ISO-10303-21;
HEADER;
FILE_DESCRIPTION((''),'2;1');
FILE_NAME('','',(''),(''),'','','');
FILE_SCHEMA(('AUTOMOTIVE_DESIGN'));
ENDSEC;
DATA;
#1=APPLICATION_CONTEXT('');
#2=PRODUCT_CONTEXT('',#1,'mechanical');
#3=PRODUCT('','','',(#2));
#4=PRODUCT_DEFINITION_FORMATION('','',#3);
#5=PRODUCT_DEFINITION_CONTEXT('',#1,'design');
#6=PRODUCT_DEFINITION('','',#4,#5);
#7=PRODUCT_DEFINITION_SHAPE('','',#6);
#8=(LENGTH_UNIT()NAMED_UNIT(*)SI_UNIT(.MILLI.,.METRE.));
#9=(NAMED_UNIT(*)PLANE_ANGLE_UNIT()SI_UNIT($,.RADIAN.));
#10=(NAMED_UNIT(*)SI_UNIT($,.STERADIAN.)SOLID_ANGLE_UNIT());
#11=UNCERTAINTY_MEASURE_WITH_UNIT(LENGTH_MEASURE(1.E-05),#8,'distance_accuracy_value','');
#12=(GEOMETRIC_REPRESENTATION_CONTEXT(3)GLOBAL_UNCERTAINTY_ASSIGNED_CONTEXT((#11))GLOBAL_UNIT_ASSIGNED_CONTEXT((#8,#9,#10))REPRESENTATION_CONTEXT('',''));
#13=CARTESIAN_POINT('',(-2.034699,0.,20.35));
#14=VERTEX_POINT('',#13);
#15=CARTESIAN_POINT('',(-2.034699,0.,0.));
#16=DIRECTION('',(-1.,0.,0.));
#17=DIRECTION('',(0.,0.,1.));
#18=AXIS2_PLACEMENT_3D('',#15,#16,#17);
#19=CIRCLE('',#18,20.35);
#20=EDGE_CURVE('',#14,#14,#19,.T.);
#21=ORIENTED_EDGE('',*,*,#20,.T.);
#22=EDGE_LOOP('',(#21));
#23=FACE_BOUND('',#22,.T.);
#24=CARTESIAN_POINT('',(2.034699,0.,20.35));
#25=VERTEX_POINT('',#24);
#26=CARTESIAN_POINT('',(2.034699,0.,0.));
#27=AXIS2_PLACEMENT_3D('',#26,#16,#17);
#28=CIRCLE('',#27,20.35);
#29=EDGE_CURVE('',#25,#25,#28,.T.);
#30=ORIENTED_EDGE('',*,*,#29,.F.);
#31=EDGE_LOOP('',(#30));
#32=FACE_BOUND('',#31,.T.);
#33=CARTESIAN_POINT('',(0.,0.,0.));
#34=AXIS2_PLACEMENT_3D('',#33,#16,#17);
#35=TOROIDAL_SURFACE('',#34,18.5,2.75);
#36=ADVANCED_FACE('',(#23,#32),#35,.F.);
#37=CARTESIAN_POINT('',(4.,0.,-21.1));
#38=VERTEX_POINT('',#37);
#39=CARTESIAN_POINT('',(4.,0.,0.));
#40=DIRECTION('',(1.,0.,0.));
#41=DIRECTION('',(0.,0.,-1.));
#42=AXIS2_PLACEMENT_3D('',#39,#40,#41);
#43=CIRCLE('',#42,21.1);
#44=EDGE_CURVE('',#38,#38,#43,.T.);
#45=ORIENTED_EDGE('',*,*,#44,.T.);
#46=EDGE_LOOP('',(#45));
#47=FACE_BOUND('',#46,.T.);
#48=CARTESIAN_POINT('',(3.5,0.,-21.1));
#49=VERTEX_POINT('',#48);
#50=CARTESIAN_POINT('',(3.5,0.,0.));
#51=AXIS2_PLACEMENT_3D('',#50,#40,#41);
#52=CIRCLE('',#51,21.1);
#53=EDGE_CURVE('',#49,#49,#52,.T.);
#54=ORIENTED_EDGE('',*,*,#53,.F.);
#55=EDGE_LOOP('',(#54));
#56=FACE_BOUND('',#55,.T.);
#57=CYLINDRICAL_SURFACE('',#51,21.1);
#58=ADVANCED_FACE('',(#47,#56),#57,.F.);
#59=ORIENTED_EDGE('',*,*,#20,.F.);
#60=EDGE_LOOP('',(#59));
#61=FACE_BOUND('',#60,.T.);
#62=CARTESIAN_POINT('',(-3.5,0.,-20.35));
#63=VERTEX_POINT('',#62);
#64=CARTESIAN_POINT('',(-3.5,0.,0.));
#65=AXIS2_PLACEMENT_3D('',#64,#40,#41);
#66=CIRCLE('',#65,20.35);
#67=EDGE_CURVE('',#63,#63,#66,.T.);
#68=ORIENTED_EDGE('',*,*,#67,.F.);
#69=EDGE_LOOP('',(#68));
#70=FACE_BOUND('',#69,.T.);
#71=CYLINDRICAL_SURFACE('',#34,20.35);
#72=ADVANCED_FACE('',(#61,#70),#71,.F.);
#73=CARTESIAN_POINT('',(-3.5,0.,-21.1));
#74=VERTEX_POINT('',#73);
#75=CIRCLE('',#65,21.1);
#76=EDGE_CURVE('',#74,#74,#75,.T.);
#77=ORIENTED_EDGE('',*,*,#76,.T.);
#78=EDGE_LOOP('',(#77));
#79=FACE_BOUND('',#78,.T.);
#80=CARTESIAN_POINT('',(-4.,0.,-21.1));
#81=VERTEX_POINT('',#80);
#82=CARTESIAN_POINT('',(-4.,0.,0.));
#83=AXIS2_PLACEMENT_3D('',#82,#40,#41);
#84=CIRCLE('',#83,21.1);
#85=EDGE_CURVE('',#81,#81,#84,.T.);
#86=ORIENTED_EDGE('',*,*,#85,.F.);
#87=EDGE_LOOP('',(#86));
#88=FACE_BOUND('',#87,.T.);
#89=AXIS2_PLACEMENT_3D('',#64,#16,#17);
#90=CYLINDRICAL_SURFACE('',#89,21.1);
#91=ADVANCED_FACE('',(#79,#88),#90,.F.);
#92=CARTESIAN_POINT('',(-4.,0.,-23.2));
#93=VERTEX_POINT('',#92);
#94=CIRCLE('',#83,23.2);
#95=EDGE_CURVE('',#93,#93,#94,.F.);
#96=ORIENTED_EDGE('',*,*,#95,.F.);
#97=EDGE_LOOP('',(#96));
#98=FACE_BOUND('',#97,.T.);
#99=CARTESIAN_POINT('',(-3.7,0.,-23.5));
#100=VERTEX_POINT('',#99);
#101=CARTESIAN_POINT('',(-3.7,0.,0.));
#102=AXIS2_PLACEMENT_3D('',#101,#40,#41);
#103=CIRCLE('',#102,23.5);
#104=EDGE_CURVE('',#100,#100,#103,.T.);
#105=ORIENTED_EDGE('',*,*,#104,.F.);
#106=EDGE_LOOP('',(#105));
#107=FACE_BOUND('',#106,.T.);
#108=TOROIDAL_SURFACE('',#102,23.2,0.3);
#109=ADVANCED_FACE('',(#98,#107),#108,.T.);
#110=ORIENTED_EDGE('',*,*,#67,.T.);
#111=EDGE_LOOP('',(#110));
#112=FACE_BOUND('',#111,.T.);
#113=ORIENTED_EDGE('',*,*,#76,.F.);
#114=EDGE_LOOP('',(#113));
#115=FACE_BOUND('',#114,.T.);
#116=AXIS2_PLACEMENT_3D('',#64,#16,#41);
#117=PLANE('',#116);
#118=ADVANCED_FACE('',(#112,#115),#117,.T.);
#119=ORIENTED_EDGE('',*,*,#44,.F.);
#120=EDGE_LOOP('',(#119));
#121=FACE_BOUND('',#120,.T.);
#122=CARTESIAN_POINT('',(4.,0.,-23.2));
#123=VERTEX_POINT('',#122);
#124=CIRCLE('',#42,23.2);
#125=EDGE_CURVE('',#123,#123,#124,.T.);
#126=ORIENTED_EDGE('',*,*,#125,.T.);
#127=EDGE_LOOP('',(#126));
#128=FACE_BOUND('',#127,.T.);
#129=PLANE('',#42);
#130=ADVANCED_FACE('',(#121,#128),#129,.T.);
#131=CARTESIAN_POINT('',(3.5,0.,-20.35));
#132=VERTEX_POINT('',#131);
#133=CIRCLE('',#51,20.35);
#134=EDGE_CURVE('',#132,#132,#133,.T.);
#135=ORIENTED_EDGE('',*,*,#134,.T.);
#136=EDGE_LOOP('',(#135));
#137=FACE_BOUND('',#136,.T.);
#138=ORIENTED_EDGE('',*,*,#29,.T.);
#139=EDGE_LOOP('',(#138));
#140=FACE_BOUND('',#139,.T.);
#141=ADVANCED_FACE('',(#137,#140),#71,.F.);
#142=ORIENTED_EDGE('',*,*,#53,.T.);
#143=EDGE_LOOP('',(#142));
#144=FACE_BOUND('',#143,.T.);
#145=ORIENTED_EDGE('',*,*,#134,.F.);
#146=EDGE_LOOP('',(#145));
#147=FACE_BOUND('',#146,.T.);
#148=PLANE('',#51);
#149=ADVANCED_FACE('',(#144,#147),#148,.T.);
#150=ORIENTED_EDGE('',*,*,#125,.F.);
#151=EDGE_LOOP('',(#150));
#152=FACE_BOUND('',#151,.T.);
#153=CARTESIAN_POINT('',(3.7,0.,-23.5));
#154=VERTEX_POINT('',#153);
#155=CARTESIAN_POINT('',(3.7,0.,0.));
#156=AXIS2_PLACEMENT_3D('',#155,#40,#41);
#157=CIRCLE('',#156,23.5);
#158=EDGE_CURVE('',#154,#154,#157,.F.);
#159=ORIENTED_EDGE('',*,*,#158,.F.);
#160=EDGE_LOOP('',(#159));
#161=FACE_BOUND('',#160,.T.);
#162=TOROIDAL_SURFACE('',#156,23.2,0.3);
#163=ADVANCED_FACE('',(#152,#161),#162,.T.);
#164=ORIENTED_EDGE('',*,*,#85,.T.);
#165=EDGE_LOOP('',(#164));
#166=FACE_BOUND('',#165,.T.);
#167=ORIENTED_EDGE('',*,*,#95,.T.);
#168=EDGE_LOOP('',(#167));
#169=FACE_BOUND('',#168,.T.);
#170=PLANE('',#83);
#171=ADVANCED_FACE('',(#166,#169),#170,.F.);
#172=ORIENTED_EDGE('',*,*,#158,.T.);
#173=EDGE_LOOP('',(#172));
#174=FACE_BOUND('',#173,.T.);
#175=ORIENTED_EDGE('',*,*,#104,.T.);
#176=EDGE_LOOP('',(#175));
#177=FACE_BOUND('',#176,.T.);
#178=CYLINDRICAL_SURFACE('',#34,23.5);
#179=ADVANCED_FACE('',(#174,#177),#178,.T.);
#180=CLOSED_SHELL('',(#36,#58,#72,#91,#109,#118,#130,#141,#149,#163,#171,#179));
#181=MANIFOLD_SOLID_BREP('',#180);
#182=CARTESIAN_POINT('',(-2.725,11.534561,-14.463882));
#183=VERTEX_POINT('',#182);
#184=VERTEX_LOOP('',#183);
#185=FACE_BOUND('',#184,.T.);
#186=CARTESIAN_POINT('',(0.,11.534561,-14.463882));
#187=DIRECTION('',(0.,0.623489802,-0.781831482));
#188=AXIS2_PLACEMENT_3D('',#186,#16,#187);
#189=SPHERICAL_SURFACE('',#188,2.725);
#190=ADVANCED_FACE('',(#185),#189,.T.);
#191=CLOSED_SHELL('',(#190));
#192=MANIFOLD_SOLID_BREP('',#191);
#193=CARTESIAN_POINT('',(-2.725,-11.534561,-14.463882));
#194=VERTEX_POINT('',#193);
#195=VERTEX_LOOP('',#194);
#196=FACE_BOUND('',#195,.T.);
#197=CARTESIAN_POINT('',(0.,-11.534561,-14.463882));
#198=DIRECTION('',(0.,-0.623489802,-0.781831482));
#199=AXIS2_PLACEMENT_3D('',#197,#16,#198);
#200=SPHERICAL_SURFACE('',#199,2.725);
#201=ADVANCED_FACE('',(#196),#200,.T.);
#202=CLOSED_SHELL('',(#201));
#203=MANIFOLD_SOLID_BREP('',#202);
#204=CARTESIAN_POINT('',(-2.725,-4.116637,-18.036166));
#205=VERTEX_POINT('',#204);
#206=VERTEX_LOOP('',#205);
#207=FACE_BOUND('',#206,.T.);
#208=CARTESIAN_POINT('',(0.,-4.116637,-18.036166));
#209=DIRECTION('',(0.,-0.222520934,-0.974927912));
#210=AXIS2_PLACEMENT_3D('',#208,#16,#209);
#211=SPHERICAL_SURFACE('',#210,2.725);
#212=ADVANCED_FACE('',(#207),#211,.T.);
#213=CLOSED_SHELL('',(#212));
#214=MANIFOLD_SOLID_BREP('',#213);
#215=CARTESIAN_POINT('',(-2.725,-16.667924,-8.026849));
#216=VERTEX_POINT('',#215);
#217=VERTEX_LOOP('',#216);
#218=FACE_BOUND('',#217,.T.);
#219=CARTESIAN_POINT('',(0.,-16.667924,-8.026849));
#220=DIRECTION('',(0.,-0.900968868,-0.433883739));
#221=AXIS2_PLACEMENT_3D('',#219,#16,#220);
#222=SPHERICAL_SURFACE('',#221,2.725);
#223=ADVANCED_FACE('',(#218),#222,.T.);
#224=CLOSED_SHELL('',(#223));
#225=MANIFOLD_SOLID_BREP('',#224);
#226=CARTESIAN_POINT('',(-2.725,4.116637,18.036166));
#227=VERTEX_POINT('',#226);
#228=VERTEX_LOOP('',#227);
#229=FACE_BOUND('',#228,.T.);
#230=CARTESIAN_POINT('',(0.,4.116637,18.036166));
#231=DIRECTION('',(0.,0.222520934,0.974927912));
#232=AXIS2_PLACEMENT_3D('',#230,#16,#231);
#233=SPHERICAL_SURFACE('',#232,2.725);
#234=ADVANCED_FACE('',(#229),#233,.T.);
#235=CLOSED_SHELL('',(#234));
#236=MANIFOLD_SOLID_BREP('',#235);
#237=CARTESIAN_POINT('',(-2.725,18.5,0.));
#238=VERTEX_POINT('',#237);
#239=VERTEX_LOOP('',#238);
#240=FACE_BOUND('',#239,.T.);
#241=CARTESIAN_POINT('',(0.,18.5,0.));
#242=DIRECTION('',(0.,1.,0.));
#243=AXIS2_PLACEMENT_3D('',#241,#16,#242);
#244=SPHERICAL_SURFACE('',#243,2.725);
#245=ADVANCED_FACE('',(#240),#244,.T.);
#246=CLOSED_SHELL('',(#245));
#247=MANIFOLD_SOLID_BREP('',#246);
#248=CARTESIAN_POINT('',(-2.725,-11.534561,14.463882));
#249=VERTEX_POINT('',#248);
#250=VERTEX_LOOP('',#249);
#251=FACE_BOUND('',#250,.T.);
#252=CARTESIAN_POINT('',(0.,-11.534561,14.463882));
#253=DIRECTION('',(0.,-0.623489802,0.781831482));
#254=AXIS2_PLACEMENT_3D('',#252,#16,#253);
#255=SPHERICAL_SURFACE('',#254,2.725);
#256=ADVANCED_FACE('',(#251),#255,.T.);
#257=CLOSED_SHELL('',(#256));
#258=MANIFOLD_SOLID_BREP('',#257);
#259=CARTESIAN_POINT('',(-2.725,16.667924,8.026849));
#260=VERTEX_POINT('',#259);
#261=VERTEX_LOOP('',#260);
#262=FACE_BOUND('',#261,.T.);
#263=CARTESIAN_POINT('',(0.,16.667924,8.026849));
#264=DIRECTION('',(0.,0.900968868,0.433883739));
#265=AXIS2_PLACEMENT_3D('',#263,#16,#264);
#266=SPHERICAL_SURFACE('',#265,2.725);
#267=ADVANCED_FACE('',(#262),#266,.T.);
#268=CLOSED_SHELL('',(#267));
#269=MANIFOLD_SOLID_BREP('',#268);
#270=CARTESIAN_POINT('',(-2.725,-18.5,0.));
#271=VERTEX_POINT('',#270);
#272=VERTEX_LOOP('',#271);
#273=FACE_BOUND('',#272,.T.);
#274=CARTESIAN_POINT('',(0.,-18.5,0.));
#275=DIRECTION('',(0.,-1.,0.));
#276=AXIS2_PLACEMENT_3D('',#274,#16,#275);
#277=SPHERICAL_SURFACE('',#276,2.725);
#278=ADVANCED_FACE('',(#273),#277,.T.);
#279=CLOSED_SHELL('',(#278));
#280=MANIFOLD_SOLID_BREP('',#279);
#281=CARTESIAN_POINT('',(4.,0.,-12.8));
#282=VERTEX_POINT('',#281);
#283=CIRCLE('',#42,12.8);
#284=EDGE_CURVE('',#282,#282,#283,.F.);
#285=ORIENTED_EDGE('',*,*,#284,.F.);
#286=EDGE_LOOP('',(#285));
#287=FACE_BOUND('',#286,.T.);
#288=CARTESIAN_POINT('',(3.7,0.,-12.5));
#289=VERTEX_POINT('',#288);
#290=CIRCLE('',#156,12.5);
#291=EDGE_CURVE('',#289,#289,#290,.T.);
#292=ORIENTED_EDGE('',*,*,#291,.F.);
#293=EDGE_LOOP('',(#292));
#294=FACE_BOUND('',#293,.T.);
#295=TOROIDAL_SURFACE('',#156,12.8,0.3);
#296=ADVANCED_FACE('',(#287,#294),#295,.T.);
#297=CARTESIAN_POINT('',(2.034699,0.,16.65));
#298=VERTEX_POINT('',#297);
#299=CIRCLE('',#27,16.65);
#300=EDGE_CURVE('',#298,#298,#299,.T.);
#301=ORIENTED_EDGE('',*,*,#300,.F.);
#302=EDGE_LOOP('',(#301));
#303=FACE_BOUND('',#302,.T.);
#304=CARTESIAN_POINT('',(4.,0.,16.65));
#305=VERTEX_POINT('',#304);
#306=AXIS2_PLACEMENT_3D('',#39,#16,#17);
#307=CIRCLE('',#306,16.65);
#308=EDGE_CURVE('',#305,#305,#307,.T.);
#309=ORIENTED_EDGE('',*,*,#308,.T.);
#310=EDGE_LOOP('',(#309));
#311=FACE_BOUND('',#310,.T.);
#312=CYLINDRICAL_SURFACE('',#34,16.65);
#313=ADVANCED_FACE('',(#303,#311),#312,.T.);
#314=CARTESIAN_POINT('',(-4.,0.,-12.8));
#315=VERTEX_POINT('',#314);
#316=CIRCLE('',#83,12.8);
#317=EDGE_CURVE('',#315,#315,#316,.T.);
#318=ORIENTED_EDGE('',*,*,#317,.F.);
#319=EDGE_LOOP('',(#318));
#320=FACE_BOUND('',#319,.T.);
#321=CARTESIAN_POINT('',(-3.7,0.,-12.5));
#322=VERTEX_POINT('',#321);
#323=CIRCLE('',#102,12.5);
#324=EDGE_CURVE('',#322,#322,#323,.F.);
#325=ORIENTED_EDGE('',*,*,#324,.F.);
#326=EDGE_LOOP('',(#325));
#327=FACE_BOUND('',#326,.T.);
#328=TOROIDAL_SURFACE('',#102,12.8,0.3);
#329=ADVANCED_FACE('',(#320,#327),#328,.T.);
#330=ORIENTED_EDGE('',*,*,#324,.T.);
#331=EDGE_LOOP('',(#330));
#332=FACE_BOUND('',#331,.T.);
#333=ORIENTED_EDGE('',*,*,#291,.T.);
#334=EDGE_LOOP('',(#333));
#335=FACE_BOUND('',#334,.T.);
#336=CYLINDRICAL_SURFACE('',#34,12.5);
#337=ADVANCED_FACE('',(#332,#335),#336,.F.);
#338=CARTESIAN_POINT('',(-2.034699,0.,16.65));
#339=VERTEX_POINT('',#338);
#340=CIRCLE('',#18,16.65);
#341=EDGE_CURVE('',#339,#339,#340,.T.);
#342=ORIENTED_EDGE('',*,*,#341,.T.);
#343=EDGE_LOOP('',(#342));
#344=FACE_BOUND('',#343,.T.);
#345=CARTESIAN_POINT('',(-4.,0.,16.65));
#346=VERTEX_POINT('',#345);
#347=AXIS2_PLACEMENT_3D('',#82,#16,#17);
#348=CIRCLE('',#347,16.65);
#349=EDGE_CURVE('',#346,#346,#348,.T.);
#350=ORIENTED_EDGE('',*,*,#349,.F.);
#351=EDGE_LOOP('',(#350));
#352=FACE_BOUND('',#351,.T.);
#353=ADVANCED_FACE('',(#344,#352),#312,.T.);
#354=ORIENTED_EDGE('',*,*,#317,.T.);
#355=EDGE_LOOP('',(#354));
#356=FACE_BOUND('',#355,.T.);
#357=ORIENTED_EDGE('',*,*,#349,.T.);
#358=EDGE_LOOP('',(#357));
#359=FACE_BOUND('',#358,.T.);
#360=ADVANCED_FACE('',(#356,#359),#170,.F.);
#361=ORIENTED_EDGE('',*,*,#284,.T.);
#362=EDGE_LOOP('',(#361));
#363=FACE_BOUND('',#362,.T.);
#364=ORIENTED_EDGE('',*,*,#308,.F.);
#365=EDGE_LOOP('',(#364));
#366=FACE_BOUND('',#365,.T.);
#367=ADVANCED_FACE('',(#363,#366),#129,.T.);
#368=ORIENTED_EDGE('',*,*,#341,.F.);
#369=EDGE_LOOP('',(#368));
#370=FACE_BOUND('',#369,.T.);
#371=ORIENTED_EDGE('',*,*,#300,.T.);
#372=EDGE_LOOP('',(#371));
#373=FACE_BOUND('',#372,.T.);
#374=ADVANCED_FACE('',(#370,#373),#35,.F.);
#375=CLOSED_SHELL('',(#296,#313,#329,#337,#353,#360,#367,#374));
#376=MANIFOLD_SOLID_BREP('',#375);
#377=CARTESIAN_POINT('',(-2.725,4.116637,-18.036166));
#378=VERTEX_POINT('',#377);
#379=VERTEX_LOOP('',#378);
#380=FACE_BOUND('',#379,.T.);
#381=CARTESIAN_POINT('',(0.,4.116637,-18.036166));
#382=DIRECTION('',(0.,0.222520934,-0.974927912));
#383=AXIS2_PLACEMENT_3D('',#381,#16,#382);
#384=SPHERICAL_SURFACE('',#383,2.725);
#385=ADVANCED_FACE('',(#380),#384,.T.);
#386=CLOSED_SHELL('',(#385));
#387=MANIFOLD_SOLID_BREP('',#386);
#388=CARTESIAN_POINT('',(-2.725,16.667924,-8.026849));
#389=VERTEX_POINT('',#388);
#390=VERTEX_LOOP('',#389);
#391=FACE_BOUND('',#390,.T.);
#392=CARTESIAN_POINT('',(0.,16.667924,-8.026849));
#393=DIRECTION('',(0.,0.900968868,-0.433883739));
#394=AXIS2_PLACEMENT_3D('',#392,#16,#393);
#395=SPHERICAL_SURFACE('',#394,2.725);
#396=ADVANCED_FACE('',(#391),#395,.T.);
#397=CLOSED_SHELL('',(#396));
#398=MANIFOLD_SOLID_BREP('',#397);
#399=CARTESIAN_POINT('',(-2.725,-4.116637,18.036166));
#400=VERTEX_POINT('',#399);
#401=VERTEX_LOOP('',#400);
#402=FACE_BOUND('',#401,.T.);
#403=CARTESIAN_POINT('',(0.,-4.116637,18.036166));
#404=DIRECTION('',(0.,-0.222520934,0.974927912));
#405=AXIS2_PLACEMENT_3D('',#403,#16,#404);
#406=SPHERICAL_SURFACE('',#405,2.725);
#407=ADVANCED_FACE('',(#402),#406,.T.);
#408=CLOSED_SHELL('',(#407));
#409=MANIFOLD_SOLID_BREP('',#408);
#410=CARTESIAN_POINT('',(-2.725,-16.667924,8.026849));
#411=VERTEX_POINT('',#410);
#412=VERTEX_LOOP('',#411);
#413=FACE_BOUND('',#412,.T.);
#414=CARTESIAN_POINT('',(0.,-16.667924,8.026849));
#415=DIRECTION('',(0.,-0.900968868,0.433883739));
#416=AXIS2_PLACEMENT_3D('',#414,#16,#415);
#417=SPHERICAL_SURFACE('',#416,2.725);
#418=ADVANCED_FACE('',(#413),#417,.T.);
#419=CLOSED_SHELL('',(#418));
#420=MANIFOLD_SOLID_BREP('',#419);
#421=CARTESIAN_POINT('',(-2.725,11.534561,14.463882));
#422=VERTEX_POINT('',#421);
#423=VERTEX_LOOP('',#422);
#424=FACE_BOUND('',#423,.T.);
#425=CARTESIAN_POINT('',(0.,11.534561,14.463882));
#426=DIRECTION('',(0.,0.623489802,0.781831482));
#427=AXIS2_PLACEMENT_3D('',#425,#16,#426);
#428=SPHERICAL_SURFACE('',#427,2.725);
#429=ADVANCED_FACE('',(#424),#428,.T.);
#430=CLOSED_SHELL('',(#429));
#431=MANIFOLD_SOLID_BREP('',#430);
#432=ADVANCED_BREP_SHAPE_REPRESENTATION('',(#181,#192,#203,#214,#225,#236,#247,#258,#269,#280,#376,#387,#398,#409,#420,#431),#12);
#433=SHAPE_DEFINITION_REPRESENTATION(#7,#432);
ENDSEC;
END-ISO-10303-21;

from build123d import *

# Parameters (mm, degrees)
SKETCH2_R          = 21.1
SKETCH2_R_2        = 20.35
CUT_EXTRUDE1_DEPTH = 0.5
FILLET1_R          = 0.3
FILLET2_R          = 0.3
CIRPATTERN4_COUNT  = 14


with BuildPart() as part:
    # Sketch1 → Revolve1 (revolve)
    with BuildSketch(Plane.XY, mode=Mode.PRIVATE) as revolve1_sk:
        with BuildLine():
            Line((4, 20.35), (4, 23.5))
            Line((4, 23.5), (-4, 23.5))
            Line((-4, 23.5), (-4, 20.35))
            Line((-4, 20.35), (-2.034698995, 20.35))
            ThreePointArc((-2.034698995, 20.35), (0, 21.25), (2.034698995, 20.35))
            Line((2.034698995, 20.35), (4, 20.35))
        make_face()
        with BuildLine():
            ThreePointArc((2.034698995, 16.65), (0, 15.75), (-2.034698995, 16.65))
            Line((-2.034698995, 16.65), (-4, 16.65))
            Line((-4, 16.65), (-4, 12.5))
            Line((-4, 12.5), (4, 12.5))
            Line((4, 12.5), (4, 16.65))
            Line((4, 16.65), (2.034698995, 16.65))
        make_face()
    revolve(revolve1_sk.sketch.rotate(Axis((0, 0, 0), (1, 0, 0)), 90), axis=Axis((0, 0, 0), (1, 0, 0)))

    # Sketch2 → Cut-Extrude1 (cut)
    with BuildSketch(Plane(origin=(4, 0, 0), x_dir=(0, 0, -1), z_dir=(1, 0, 0))):
        Circle(SKETCH2_R)
        with Locations(Location((0, 0, 0), (0, 0, 180))):
            Circle(SKETCH2_R_2, mode=Mode.SUBTRACT)
    cut_extrude1 = extrude(amount=-CUT_EXTRUDE1_DEPTH, mode=Mode.SUBTRACT)

    # Mirror1: Cut-Extrude1 across plane
    add(cut_extrude1.mirror(Plane(origin=(0, 0, 0), x_dir=(0, 0, 1), z_dir=(1, 0, 0))), mode=Mode.SUBTRACT)

    # Fillet1
    fillet1_edges = [part.edges().sort_by_distance(p)[0] for p in [
        (-4, 0, -23.5),
        (4, 0, -23.5),
    ]]
    fillet(fillet1_edges, radius=FILLET1_R)

    # Fillet2
    fillet2_edges = [part.edges().sort_by_distance(p)[0] for p in [
        (4, 0, -12.5),
        (-4, 0, -12.5),
    ]]
    fillet(fillet2_edges, radius=FILLET2_R)


with BuildPart() as body_2:
    # Sketch3 → Revolve2 (revolve)
    with BuildSketch(Plane.XY):
        with BuildLine():
            Line((-2.725, 18.5), (2.725, 18.5))
            ThreePointArc((2.725, 18.5), (0, 21.225), (-2.725, 18.5))
        make_face()
    revolve(axis=Axis((-2.725, 18.5, 0), (1, 0, 0)))


with BuildPart() as cirpattern4_1:
    # CirPattern4: pattern copy
    add(body_2.part.rotate(Axis((0, 0, 0), (1, 0, 0)), 1 * 360 / CIRPATTERN4_COUNT))


with BuildPart() as cirpattern4_2:
    # CirPattern4: pattern copy
    add(body_2.part.rotate(Axis((0, 0, 0), (1, 0, 0)), 2 * 360 / CIRPATTERN4_COUNT))


with BuildPart() as cirpattern4_3:
    # CirPattern4: pattern copy
    add(body_2.part.rotate(Axis((0, 0, 0), (1, 0, 0)), 3 * 360 / CIRPATTERN4_COUNT))


with BuildPart() as cirpattern4_4:
    # CirPattern4: pattern copy
    add(body_2.part.rotate(Axis((0, 0, 0), (1, 0, 0)), 4 * 360 / CIRPATTERN4_COUNT))


with BuildPart() as cirpattern4_5:
    # CirPattern4: pattern copy
    add(body_2.part.rotate(Axis((0, 0, 0), (1, 0, 0)), 5 * 360 / CIRPATTERN4_COUNT))


with BuildPart() as cirpattern4_6:
    # CirPattern4: pattern copy
    add(body_2.part.rotate(Axis((0, 0, 0), (1, 0, 0)), 6 * 360 / CIRPATTERN4_COUNT))


with BuildPart() as cirpattern4_7:
    # CirPattern4: pattern copy
    add(body_2.part.rotate(Axis((0, 0, 0), (1, 0, 0)), 7 * 360 / CIRPATTERN4_COUNT))


with BuildPart() as cirpattern4_8:
    # CirPattern4: pattern copy
    add(body_2.part.rotate(Axis((0, 0, 0), (1, 0, 0)), 8 * 360 / CIRPATTERN4_COUNT))


with BuildPart() as cirpattern4_9:
    # CirPattern4: pattern copy
    add(body_2.part.rotate(Axis((0, 0, 0), (1, 0, 0)), 9 * 360 / CIRPATTERN4_COUNT))


with BuildPart() as cirpattern4_10:
    # CirPattern4: pattern copy
    add(body_2.part.rotate(Axis((0, 0, 0), (1, 0, 0)), 10 * 360 / CIRPATTERN4_COUNT))


with BuildPart() as cirpattern4_11:
    # CirPattern4: pattern copy
    add(body_2.part.rotate(Axis((0, 0, 0), (1, 0, 0)), 11 * 360 / CIRPATTERN4_COUNT))


with BuildPart() as cirpattern4_12:
    # CirPattern4: pattern copy
    add(body_2.part.rotate(Axis((0, 0, 0), (1, 0, 0)), 12 * 360 / CIRPATTERN4_COUNT))


with BuildPart() as cirpattern4_13:
    # CirPattern4: pattern copy
    add(body_2.part.rotate(Axis((0, 0, 0), (1, 0, 0)), 13 * 360 / CIRPATTERN4_COUNT))


solid = Compound([part.part, body_2.part, cirpattern4_1.part, cirpattern4_2.part, cirpattern4_3.part, cirpattern4_4.part, cirpattern4_5.part, cirpattern4_6.part, cirpattern4_7.part, cirpattern4_8.part, cirpattern4_9.part, cirpattern4_10.part, cirpattern4_11.part, cirpattern4_12.part, cirpattern4_13.part])
